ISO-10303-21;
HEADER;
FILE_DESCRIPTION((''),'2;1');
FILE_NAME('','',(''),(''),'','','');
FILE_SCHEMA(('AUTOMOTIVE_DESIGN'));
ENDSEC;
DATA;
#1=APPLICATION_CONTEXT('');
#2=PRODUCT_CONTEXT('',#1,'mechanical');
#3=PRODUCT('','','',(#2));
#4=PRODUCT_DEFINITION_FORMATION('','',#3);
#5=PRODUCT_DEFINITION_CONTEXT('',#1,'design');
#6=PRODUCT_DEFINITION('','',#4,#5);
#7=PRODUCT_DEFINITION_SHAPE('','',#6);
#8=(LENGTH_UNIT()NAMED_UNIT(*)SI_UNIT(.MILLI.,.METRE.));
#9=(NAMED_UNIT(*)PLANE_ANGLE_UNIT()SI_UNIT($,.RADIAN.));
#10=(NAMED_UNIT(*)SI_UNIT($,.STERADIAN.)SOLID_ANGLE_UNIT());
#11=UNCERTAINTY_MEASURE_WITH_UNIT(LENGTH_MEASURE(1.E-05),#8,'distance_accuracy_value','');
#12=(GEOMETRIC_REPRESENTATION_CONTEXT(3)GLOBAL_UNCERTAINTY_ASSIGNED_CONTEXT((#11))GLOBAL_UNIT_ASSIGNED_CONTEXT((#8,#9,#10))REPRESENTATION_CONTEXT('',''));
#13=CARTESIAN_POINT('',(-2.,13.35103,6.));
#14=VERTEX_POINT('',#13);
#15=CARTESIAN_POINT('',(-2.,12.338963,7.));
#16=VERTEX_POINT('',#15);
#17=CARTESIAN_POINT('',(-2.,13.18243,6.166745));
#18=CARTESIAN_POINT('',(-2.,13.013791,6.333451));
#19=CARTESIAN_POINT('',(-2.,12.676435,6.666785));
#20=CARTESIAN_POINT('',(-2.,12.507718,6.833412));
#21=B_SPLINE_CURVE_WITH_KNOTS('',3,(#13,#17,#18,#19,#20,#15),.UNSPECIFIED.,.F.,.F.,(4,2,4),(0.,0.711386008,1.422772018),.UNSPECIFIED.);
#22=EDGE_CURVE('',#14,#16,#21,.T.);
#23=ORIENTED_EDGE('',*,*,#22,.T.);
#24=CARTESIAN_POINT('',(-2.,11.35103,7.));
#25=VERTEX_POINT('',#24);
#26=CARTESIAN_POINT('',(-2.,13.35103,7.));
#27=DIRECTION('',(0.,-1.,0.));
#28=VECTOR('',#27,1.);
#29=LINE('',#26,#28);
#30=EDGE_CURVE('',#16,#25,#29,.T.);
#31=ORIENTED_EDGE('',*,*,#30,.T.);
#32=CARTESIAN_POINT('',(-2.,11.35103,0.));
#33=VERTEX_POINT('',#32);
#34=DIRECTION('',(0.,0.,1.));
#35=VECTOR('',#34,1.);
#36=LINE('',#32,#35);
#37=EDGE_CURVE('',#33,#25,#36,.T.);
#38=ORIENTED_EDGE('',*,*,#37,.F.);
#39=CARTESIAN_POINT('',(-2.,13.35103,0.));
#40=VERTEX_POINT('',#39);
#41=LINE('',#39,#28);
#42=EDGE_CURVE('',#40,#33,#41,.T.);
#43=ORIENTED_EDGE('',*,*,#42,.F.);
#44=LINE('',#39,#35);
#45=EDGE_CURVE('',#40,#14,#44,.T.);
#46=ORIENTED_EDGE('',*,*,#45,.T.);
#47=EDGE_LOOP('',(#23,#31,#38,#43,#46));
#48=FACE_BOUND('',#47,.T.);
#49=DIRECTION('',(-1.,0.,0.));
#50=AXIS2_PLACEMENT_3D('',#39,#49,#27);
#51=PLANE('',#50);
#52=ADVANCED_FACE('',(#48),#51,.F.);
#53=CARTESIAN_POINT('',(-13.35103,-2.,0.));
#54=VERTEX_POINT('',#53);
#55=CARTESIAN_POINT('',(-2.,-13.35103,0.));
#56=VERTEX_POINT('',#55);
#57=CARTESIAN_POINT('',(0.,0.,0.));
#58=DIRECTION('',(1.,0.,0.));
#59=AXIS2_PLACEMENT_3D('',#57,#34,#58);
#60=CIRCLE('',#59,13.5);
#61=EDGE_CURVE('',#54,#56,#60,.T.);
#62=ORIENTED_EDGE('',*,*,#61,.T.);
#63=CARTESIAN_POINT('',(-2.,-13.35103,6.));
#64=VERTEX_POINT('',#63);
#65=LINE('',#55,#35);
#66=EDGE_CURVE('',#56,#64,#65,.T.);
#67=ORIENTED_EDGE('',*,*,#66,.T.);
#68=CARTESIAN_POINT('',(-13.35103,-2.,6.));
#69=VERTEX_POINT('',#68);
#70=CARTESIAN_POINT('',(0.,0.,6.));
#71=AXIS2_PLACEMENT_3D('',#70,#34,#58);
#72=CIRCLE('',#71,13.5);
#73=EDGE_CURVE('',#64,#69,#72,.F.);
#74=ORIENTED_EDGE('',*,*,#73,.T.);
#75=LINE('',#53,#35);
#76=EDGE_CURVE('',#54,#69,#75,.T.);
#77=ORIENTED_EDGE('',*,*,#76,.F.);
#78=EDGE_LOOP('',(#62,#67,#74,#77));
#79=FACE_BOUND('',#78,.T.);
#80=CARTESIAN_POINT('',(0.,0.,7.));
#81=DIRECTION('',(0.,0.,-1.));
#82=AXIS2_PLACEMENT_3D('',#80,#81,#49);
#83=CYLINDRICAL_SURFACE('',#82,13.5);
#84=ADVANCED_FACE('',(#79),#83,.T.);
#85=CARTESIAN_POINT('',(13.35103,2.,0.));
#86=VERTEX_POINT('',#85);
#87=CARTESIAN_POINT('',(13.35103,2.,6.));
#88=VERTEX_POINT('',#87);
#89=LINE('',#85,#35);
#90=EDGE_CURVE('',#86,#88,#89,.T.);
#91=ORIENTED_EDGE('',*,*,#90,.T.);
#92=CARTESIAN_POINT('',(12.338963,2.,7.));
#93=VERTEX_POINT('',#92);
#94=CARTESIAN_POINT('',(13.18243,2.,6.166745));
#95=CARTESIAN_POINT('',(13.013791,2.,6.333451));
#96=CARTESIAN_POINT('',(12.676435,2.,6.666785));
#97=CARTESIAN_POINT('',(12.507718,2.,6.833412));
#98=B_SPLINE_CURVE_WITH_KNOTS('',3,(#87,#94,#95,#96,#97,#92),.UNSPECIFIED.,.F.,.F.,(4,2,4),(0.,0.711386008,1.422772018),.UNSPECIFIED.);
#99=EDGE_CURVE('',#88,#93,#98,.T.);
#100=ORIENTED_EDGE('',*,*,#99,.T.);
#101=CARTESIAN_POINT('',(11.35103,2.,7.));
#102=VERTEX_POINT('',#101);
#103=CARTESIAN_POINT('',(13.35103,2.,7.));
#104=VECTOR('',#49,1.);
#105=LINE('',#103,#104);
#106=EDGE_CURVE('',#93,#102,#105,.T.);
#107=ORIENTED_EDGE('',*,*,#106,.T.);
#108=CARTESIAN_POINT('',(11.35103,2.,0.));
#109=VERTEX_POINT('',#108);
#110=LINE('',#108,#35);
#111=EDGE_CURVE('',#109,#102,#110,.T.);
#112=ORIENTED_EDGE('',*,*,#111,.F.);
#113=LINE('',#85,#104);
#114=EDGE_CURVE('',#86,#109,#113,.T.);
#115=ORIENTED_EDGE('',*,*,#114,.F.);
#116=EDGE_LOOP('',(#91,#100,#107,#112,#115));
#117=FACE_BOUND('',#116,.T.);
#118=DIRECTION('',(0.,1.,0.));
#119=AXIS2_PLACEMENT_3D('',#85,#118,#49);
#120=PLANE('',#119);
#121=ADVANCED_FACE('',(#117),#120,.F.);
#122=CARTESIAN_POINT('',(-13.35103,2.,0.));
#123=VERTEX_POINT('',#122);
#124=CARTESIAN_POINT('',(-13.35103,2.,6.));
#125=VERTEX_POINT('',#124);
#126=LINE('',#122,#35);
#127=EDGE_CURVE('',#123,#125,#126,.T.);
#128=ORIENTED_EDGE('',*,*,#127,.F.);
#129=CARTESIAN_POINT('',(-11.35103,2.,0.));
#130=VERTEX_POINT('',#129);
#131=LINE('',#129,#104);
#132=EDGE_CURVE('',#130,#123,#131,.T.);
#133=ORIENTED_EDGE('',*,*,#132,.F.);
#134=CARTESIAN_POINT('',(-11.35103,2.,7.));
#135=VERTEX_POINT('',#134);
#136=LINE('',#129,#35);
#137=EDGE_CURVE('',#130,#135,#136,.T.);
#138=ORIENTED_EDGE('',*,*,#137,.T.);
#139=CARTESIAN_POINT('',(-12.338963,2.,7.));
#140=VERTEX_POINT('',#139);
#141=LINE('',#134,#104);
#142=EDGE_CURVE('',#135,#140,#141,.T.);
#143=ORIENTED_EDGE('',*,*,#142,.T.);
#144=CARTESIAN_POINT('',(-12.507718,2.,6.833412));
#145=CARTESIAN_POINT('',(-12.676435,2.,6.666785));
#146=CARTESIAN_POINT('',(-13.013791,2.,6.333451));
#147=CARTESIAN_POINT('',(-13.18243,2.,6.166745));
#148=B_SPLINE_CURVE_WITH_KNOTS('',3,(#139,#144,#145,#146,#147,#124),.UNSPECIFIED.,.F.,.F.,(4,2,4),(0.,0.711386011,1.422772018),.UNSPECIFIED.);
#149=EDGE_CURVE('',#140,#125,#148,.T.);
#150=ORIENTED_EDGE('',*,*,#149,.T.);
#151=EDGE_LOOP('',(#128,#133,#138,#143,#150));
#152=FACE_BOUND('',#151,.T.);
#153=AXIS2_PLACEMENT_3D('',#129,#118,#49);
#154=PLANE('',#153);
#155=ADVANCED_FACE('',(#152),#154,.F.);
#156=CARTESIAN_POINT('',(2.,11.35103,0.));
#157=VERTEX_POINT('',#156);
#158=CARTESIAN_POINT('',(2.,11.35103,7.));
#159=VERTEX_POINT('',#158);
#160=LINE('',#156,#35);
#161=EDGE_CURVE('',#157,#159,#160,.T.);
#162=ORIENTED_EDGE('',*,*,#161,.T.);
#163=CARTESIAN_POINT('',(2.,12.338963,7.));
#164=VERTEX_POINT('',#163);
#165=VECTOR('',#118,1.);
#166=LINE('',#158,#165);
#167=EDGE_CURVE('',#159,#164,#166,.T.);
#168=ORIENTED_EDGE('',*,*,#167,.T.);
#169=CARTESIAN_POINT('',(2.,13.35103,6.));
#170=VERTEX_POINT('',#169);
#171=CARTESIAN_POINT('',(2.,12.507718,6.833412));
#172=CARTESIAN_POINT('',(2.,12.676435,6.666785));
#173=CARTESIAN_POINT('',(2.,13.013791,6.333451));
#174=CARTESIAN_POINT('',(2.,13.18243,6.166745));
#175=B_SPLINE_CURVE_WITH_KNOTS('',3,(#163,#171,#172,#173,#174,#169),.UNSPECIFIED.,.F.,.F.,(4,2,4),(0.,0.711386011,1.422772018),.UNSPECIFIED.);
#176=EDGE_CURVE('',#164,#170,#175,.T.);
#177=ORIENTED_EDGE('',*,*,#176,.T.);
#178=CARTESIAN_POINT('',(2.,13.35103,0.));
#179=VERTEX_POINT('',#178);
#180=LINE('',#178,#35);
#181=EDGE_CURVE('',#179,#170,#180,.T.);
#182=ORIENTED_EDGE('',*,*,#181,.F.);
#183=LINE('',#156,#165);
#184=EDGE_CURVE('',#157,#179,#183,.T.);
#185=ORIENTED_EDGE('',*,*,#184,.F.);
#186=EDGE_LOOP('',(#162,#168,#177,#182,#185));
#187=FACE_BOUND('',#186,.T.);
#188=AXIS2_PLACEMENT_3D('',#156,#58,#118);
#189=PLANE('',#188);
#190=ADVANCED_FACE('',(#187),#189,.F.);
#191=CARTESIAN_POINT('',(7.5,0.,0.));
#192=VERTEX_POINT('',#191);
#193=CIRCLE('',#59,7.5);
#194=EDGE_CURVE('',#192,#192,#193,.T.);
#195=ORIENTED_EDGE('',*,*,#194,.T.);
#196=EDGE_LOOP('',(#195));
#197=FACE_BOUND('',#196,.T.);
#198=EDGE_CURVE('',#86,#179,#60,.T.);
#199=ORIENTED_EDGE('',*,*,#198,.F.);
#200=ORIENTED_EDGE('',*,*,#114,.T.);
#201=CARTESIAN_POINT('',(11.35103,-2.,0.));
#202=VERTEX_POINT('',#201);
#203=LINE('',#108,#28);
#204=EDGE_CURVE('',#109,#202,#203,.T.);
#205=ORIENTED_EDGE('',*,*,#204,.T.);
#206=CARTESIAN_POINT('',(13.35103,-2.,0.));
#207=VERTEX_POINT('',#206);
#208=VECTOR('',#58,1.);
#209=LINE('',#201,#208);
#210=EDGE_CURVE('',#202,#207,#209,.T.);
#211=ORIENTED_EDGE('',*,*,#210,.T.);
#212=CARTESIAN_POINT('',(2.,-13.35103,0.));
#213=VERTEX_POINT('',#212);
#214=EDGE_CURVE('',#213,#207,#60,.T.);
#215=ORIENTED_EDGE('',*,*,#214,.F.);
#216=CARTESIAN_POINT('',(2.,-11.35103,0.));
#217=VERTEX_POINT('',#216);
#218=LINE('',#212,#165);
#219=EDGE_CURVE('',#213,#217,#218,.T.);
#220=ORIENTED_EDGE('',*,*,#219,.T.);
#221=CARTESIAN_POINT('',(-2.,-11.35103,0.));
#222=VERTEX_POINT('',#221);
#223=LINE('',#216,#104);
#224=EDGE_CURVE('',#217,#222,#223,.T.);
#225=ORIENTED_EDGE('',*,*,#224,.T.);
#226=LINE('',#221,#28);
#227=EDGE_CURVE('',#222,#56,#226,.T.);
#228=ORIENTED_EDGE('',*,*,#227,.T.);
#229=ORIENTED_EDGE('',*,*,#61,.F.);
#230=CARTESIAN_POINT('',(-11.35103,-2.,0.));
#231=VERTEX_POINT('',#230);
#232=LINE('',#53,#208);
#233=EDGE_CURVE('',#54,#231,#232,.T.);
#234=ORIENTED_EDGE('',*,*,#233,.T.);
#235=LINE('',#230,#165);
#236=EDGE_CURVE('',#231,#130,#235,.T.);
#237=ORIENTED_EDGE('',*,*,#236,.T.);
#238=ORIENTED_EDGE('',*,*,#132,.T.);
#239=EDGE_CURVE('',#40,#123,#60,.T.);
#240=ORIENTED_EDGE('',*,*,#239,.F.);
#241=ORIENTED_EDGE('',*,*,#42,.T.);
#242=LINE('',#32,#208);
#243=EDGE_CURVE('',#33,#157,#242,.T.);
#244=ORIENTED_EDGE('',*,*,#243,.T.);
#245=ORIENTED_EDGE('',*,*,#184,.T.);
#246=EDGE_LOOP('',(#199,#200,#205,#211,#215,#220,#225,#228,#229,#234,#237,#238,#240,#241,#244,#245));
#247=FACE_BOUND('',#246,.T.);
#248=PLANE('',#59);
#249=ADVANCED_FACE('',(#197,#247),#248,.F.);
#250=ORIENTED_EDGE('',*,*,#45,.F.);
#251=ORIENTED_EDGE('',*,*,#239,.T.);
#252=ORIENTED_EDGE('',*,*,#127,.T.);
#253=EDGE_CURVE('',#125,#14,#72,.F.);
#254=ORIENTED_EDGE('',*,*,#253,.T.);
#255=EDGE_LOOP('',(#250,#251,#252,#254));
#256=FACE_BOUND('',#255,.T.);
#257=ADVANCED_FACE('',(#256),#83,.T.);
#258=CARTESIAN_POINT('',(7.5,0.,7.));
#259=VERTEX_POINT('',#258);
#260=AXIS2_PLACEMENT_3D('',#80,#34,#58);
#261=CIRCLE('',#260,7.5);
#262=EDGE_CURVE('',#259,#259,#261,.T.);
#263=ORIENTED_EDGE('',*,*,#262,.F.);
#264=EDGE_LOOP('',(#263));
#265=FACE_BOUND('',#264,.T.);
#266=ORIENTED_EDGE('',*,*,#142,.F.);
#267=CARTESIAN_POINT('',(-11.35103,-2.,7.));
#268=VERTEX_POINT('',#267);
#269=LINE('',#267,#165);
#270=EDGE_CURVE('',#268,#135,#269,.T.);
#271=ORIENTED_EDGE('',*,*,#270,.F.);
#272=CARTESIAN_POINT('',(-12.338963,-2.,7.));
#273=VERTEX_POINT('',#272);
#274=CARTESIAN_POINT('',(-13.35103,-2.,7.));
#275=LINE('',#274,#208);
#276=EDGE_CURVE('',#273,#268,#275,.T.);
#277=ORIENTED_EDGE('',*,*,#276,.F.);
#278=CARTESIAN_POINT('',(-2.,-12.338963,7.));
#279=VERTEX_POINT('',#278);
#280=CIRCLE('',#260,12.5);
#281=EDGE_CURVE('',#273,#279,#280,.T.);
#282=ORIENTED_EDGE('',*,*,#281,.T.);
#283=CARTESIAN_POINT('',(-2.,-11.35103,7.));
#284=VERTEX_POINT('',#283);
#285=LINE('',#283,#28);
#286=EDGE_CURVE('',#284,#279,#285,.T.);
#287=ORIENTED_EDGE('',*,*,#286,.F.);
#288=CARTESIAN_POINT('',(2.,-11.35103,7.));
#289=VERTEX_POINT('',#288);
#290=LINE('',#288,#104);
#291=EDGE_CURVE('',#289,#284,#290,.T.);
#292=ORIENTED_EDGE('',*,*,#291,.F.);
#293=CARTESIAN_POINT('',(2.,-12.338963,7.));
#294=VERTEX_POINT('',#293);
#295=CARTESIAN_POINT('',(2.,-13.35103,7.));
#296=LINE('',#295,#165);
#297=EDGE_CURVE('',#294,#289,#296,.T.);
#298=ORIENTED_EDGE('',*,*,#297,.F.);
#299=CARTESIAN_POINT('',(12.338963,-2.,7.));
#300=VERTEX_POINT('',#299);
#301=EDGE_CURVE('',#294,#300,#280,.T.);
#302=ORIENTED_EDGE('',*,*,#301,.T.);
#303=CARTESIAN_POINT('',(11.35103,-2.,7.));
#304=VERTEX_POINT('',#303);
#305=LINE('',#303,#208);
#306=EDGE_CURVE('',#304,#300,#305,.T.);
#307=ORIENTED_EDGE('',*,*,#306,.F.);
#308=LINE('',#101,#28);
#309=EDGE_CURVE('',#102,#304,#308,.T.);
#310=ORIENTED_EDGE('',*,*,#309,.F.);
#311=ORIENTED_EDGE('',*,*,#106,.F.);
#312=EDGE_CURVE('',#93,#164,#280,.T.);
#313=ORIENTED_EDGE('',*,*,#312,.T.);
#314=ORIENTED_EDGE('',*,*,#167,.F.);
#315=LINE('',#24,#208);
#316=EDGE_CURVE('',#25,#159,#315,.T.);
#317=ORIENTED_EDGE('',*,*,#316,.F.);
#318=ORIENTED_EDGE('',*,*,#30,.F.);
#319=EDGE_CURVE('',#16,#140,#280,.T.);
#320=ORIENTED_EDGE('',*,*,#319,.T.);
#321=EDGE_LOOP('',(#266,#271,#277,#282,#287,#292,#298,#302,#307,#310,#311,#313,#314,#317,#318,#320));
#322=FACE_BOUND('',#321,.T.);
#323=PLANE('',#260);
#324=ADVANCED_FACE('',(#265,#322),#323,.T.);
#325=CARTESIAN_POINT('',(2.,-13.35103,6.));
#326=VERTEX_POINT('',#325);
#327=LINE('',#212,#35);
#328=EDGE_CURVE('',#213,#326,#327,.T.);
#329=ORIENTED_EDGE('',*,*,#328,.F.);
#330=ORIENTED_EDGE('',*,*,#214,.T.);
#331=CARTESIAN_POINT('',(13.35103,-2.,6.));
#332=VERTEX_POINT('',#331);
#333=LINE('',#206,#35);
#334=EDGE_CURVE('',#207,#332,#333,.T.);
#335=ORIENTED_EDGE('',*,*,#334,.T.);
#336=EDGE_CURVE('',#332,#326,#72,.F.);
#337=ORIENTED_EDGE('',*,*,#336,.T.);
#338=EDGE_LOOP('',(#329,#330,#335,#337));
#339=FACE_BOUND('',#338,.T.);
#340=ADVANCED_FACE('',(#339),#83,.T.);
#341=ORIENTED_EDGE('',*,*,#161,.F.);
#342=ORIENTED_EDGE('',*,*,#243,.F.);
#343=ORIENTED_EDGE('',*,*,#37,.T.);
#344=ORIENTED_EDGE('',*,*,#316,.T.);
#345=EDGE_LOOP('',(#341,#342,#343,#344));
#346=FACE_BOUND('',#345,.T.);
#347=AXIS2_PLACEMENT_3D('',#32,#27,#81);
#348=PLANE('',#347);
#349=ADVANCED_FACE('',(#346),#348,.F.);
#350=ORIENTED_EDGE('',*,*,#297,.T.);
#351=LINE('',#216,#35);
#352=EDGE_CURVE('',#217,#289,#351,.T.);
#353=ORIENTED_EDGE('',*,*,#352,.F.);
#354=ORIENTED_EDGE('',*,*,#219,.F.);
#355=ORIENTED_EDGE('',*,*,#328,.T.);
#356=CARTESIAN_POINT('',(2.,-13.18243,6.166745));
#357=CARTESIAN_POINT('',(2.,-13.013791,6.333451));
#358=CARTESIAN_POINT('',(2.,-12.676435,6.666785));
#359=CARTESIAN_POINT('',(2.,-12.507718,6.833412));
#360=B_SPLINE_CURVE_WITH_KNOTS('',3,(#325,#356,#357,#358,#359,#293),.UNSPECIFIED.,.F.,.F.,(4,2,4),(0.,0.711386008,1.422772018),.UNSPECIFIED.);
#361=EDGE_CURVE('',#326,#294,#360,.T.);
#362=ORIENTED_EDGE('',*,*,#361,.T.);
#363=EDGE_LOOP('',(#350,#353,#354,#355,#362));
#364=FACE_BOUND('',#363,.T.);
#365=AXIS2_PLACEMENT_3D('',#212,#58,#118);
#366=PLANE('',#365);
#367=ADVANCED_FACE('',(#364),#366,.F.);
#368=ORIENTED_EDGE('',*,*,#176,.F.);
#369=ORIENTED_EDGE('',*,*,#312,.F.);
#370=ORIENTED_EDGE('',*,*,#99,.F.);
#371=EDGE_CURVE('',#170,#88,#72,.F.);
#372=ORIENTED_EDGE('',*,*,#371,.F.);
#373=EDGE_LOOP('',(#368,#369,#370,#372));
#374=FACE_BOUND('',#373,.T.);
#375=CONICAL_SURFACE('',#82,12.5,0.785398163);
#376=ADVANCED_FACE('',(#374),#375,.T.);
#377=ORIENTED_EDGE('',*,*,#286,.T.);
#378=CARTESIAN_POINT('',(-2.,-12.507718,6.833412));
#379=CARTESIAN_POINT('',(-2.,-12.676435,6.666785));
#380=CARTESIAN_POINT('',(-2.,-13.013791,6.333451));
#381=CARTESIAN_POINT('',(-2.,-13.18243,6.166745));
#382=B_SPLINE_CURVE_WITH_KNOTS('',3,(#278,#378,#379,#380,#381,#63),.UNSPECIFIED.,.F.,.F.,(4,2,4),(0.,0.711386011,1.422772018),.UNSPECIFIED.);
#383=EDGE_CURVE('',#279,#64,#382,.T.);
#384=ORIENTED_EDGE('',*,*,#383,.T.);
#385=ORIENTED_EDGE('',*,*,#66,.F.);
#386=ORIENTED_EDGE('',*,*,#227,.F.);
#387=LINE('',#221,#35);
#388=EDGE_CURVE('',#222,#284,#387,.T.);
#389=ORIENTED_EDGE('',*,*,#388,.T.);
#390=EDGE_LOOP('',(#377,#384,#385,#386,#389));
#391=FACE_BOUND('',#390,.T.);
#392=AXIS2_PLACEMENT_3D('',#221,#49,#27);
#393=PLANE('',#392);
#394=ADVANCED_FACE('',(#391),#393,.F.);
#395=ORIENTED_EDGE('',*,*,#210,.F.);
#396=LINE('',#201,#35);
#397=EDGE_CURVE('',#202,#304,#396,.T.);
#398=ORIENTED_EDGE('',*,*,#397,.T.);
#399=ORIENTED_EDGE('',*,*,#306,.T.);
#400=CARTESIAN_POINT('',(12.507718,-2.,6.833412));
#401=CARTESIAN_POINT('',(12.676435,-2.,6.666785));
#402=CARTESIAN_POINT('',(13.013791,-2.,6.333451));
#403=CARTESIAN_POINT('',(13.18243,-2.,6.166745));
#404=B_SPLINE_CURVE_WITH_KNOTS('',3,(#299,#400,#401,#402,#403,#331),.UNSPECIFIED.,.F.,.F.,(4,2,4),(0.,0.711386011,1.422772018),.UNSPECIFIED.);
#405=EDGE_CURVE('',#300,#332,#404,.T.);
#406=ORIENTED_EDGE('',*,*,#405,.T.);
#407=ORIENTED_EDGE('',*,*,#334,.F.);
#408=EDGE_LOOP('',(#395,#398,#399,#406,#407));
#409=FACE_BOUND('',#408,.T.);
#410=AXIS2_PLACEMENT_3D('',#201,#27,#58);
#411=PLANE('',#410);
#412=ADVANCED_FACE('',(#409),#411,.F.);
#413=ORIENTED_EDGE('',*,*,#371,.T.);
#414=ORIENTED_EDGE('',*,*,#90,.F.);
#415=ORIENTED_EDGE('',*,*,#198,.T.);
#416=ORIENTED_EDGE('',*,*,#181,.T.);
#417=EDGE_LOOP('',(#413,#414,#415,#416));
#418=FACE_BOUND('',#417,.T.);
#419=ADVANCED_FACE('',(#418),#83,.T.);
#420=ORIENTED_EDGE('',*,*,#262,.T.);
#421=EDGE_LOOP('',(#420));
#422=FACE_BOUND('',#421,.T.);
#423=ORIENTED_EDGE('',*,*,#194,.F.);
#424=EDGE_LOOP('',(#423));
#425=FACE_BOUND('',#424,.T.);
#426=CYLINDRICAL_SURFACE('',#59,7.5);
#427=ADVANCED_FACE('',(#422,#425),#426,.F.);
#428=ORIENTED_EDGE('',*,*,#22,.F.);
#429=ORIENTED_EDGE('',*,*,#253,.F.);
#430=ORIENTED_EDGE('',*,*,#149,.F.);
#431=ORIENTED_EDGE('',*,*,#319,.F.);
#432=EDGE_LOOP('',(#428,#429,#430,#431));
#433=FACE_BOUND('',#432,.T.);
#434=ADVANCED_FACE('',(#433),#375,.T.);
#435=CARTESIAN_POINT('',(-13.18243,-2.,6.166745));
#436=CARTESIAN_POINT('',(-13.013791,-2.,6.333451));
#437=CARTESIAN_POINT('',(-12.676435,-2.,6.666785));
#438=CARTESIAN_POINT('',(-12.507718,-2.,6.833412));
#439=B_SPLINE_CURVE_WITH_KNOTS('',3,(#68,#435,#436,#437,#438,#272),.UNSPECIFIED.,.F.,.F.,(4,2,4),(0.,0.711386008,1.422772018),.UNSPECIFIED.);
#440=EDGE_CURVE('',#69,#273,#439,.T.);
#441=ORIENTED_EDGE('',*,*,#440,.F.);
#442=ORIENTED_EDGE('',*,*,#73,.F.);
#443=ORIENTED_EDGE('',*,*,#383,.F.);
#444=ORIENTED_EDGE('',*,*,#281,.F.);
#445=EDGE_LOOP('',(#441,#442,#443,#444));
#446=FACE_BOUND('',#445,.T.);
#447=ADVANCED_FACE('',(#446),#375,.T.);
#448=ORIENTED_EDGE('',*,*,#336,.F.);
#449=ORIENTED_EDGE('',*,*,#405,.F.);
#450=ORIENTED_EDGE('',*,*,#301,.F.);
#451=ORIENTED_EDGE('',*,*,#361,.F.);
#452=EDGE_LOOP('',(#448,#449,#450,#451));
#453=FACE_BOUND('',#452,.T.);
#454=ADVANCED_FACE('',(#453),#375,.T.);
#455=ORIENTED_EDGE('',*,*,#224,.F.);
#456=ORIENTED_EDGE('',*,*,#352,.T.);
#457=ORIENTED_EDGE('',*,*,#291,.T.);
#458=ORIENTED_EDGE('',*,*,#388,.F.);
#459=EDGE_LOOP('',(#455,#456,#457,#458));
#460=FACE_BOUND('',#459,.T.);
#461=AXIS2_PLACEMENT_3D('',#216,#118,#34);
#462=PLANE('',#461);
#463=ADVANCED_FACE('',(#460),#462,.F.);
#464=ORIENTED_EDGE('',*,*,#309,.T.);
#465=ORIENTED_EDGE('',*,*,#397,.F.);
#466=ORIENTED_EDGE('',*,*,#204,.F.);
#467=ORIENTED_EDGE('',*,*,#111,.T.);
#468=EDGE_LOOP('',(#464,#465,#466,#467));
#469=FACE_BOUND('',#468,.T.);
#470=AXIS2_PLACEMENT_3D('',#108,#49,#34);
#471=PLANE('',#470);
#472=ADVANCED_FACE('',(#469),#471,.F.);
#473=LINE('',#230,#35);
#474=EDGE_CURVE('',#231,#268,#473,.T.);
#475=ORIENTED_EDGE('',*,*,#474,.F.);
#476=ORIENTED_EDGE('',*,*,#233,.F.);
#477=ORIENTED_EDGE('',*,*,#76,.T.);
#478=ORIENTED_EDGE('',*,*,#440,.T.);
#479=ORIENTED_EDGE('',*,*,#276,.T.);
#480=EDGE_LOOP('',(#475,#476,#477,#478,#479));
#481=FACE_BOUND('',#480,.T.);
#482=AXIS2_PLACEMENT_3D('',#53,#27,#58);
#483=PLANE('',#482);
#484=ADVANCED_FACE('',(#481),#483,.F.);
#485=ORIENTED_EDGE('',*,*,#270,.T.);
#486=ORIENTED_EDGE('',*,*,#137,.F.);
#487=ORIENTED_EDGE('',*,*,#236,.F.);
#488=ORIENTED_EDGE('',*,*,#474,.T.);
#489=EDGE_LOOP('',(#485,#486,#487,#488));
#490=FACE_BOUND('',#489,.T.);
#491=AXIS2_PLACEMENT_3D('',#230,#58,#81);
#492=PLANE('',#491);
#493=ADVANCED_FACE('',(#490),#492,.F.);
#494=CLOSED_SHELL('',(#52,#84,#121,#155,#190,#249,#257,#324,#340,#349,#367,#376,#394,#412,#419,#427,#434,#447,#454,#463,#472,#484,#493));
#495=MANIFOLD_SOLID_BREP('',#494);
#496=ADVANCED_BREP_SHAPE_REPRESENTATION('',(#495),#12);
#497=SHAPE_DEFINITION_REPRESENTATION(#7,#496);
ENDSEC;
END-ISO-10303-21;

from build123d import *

# Parameters (mm, degrees)
SKETCH2_R           = 13.5
BOSS_EXTRUDE2_DEPTH = 7
CUT_EXTRUDE1_DEPTH  = 21.334699408
SKETCH5_R           = 7.5
CUT_EXTRUDE2_DEPTH  = 21.137030566
CHAMFER1_SIZE       = 1


with BuildPart() as part:
    # Sketch2 → Boss-Extrude2 (new body)
    with BuildSketch(Plane.XY):
        Circle(SKETCH2_R)
    extrude(amount=BOSS_EXTRUDE2_DEPTH)

    # Sketch4 → Cut-Extrude1 (cut, through all)
    with BuildSketch(Plane.XY.offset(7)):
        with BuildLine():
            Line((-2, 13.351029923), (-2, 11.351029923))
            Line((-2, 11.351029923), (2, 11.351029923))
            Line((2, 11.351029923), (2, 13.351029923))
            ThreePointArc((2, 13.351029923), (0, 13.5), (-2, 13.351029923))
        make_face()
        with BuildLine():
            Line((13.351029923, 2), (11.351029923, 2))
            Line((11.351029923, 2), (11.351029923, -2))
            Line((11.351029923, -2), (13.351029923, -2))
            ThreePointArc((13.351029923, -2), (13.5, 0), (13.351029923, 2))
        make_face()
        with BuildLine():
            Line((2, -13.351029923), (2, -11.351029923))
            Line((2, -11.351029923), (-2, -11.351029923))
            Line((-2, -11.351029923), (-2, -13.351029923))
            ThreePointArc((-2, -13.351029923), (0, -13.5), (2, -13.351029923))
        make_face()
        with BuildLine():
            Line((-13.351029923, -2), (-11.351029923, -2))
            Line((-11.351029923, -2), (-11.351029923, 2))
            Line((-11.351029923, 2), (-13.351029923, 2))
            ThreePointArc((-13.351029923, 2), (-13.5, 0), (-13.351029923, -2))
        make_face()
    extrude(amount=-CUT_EXTRUDE1_DEPTH, mode=Mode.SUBTRACT)

    # Sketch5 → Cut-Extrude2 (cut, through all)
    with BuildSketch(Plane.XY.offset(7)):
        Circle(SKETCH5_R)
    extrude(amount=-CUT_EXTRUDE2_DEPTH, mode=Mode.SUBTRACT)

    # Chamfer1
    chamfer1_edges = [part.edges().sort_by_distance(p)[0] for p in [
        (-9.545941546, 9.545941546, 7),
        (-9.545941546, -9.545941546, 7),
        (9.545941546, -9.545941546, 7),
        (9.545941546, 9.545941546, 7),
    ]]
    chamfer(chamfer1_edges, length=CHAMFER1_SIZE)


solid = part.part
